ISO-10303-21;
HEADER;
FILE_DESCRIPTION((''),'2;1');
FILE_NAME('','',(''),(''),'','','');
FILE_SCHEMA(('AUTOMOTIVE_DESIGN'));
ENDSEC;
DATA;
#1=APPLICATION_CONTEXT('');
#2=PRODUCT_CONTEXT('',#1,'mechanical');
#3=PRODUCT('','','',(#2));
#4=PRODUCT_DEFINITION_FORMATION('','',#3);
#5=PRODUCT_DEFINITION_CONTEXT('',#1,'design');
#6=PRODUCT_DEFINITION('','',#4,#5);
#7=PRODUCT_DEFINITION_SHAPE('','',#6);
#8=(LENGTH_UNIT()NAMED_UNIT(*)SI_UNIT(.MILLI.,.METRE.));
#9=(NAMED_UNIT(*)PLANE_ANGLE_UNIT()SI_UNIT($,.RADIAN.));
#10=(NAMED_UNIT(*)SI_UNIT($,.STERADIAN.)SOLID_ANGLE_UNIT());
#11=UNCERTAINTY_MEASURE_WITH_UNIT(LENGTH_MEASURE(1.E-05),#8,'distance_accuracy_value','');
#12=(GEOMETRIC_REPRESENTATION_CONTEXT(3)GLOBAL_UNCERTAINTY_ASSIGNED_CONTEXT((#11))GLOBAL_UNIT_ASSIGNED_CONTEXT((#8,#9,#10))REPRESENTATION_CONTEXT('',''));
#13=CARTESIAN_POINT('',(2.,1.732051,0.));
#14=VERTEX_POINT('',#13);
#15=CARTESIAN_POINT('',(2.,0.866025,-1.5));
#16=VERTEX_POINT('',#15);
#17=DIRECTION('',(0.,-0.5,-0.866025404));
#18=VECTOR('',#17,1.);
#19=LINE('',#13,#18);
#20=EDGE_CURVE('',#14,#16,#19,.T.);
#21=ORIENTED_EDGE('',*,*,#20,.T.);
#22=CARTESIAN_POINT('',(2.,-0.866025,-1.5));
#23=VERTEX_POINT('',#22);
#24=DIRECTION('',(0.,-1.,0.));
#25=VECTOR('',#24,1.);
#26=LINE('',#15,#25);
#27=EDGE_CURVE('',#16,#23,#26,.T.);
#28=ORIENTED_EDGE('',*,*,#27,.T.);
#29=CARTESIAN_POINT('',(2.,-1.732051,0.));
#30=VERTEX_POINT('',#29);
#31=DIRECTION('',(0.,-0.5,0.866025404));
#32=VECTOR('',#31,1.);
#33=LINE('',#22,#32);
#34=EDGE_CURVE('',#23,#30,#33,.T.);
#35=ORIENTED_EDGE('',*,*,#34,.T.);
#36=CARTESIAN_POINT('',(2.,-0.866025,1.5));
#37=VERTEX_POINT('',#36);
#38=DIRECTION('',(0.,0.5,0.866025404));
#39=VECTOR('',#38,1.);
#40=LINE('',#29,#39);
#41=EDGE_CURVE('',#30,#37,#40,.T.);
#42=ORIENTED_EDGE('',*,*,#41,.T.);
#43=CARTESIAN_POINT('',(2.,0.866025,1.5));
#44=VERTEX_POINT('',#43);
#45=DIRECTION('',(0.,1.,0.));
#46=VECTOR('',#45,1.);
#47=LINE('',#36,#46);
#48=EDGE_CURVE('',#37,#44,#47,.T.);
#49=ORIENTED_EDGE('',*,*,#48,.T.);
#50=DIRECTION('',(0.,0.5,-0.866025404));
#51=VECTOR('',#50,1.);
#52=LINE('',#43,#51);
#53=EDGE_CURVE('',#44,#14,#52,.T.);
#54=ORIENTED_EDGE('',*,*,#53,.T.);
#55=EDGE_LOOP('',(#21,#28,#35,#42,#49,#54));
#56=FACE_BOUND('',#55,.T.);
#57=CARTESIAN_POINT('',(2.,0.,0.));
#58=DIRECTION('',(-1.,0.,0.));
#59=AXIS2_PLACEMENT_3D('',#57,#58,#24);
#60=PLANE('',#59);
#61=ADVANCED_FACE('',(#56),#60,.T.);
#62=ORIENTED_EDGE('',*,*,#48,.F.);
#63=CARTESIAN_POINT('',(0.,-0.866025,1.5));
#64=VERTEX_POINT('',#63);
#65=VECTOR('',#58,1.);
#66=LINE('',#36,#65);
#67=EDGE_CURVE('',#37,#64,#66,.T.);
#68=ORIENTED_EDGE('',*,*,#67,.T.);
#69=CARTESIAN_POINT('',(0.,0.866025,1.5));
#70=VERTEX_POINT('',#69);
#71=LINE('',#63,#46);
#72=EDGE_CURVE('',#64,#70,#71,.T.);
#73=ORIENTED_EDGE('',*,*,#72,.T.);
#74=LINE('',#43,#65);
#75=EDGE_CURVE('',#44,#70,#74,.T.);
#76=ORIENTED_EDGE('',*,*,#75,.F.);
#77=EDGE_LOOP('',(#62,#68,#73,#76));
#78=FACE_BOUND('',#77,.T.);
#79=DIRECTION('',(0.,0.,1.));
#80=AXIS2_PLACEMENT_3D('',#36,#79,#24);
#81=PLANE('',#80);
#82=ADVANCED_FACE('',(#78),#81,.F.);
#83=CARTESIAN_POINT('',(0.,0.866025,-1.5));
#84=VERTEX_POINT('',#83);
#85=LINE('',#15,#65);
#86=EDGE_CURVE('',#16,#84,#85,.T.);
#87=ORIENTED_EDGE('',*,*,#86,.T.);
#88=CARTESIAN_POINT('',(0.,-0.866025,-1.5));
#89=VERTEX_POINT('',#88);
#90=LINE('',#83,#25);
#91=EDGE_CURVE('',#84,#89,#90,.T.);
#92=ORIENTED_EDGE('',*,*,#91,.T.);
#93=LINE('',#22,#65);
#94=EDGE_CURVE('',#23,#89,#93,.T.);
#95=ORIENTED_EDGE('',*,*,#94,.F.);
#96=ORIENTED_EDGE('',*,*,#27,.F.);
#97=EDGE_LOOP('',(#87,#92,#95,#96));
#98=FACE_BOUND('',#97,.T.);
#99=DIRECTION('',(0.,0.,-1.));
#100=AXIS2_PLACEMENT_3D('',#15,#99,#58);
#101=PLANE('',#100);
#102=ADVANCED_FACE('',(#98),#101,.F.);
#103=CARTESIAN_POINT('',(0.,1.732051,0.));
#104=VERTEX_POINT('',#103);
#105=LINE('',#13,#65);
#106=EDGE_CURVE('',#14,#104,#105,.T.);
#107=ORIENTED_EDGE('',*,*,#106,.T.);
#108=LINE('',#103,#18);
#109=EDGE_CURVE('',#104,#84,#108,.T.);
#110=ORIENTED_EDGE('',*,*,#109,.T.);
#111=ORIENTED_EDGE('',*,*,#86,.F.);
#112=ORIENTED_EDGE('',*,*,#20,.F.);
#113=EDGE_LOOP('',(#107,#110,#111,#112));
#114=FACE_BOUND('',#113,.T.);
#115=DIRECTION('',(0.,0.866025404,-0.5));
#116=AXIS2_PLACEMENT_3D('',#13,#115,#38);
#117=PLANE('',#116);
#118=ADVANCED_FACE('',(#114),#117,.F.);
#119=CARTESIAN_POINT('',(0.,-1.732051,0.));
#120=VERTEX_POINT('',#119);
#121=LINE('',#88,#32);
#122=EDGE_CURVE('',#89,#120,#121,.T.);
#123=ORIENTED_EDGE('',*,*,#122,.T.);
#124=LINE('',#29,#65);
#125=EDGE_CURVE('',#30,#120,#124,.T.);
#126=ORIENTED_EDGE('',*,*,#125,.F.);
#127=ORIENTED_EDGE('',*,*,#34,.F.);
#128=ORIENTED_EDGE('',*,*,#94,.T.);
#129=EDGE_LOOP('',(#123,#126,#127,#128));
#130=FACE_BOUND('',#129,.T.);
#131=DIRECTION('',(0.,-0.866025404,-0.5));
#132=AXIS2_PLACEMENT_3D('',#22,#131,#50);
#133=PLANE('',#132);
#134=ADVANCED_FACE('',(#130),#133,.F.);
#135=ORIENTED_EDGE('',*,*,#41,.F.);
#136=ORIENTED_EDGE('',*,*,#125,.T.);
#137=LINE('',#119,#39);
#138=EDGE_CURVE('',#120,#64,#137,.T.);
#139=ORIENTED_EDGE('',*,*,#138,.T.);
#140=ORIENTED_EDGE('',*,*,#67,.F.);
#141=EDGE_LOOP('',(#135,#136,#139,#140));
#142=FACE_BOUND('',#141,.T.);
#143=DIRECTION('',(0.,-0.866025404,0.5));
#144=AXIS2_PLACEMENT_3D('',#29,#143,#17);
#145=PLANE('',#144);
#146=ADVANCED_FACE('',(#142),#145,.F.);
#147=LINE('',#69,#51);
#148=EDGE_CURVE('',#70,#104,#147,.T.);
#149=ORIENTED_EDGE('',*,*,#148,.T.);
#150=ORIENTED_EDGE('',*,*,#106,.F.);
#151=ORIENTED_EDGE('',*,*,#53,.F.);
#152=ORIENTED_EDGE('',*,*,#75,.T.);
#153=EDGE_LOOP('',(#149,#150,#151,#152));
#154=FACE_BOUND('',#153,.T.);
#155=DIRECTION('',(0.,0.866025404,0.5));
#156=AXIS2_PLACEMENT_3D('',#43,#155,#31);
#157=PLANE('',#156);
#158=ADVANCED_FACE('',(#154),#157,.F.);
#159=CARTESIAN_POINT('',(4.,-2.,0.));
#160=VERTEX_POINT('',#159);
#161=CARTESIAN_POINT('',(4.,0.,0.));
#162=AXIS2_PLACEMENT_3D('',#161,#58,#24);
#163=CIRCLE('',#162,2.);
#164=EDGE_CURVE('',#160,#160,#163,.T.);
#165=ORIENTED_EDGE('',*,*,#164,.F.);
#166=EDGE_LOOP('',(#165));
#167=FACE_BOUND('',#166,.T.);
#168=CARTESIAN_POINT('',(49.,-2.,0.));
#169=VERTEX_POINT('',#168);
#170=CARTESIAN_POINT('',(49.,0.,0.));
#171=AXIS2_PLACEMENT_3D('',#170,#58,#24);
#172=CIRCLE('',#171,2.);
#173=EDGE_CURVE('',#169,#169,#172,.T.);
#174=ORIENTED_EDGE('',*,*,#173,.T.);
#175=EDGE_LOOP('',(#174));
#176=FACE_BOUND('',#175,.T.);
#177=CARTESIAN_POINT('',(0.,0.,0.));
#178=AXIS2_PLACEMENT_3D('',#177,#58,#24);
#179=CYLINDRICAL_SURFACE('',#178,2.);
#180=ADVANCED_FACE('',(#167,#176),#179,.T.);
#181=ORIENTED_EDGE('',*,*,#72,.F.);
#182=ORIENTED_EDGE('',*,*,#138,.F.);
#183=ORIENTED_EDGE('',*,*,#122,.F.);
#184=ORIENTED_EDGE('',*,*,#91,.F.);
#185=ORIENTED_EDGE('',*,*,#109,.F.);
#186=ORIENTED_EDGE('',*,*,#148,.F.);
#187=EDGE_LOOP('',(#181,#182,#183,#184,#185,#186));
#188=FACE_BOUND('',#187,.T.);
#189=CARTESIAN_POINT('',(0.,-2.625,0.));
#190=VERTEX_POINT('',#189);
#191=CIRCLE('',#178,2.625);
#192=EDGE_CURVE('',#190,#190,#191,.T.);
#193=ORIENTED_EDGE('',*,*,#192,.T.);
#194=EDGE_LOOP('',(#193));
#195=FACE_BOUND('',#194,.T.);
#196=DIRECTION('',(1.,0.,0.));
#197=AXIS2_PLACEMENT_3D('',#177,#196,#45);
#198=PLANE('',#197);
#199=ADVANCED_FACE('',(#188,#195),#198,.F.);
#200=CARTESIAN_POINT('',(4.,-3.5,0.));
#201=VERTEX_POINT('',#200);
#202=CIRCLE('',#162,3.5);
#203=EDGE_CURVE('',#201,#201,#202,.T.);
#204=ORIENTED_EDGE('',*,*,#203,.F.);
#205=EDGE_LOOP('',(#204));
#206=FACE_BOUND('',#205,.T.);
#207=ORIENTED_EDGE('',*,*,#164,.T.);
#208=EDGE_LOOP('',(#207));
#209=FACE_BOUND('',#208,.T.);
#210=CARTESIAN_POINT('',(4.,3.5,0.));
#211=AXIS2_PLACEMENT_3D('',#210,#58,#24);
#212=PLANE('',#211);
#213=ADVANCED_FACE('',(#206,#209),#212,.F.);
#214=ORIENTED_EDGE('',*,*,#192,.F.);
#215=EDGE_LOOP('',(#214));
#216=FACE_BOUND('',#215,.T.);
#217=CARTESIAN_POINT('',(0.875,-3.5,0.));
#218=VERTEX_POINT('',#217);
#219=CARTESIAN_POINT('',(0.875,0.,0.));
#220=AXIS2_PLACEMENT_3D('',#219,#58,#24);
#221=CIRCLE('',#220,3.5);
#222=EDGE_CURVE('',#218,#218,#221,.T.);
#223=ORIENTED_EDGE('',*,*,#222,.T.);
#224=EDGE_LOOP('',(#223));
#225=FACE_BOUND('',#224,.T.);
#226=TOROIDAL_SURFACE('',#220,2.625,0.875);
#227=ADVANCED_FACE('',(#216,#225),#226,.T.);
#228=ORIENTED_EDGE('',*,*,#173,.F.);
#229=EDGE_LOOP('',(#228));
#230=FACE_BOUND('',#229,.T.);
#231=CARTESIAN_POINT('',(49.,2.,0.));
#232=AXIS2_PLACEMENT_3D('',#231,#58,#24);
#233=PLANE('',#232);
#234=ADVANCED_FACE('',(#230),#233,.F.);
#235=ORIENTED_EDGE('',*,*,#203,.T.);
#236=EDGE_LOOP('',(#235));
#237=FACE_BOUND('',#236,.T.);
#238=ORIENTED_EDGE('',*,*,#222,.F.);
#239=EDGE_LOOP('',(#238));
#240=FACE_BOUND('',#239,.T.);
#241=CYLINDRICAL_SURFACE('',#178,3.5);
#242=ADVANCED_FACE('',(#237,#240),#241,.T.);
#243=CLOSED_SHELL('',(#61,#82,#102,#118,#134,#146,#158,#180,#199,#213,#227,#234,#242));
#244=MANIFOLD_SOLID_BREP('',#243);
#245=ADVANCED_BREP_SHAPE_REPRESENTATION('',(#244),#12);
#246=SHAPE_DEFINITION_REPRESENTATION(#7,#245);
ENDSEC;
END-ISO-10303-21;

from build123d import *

# Parameters (mm, degrees)
CUT_EXTRUDE1_DEPTH = 2


with BuildPart() as part:
    # Sketch1 → Revolve1 (revolve)
    with BuildSketch(Plane.XY, mode=Mode.PRIVATE) as revolve1_sk:
        with BuildLine():
            Line((0, 0), (0, 2.625))
            ThreePointArc((0, 2.625), (0.256281566, 3.243718434), (0.875, 3.5))
            Line((0.875, 3.5), (4, 3.5))
            Line((4, 3.5), (4, 2))
            Line((4, 2), (49, 2))
            Line((49, 2), (49, 0))
            Line((49, 0), (0, 0))
        make_face()
    revolve(revolve1_sk.sketch.rotate(Axis((0, 0, 0), (1, 0, 0)), 180), axis=Axis((0, 0, 0), (1, 0, 0)))

    # Sketch2 → Cut-Extrude1 (cut)
    with BuildSketch(Plane.ZY):
        Polygon((0, 1.732050808), (-1.5, 0.866025404), (-1.5, -0.866025404), (0, -1.732050808), (1.5, -0.866025404), (1.5, 0.866025404), align=None)
    extrude(amount=-CUT_EXTRUDE1_DEPTH, mode=Mode.SUBTRACT)


solid = part.part
